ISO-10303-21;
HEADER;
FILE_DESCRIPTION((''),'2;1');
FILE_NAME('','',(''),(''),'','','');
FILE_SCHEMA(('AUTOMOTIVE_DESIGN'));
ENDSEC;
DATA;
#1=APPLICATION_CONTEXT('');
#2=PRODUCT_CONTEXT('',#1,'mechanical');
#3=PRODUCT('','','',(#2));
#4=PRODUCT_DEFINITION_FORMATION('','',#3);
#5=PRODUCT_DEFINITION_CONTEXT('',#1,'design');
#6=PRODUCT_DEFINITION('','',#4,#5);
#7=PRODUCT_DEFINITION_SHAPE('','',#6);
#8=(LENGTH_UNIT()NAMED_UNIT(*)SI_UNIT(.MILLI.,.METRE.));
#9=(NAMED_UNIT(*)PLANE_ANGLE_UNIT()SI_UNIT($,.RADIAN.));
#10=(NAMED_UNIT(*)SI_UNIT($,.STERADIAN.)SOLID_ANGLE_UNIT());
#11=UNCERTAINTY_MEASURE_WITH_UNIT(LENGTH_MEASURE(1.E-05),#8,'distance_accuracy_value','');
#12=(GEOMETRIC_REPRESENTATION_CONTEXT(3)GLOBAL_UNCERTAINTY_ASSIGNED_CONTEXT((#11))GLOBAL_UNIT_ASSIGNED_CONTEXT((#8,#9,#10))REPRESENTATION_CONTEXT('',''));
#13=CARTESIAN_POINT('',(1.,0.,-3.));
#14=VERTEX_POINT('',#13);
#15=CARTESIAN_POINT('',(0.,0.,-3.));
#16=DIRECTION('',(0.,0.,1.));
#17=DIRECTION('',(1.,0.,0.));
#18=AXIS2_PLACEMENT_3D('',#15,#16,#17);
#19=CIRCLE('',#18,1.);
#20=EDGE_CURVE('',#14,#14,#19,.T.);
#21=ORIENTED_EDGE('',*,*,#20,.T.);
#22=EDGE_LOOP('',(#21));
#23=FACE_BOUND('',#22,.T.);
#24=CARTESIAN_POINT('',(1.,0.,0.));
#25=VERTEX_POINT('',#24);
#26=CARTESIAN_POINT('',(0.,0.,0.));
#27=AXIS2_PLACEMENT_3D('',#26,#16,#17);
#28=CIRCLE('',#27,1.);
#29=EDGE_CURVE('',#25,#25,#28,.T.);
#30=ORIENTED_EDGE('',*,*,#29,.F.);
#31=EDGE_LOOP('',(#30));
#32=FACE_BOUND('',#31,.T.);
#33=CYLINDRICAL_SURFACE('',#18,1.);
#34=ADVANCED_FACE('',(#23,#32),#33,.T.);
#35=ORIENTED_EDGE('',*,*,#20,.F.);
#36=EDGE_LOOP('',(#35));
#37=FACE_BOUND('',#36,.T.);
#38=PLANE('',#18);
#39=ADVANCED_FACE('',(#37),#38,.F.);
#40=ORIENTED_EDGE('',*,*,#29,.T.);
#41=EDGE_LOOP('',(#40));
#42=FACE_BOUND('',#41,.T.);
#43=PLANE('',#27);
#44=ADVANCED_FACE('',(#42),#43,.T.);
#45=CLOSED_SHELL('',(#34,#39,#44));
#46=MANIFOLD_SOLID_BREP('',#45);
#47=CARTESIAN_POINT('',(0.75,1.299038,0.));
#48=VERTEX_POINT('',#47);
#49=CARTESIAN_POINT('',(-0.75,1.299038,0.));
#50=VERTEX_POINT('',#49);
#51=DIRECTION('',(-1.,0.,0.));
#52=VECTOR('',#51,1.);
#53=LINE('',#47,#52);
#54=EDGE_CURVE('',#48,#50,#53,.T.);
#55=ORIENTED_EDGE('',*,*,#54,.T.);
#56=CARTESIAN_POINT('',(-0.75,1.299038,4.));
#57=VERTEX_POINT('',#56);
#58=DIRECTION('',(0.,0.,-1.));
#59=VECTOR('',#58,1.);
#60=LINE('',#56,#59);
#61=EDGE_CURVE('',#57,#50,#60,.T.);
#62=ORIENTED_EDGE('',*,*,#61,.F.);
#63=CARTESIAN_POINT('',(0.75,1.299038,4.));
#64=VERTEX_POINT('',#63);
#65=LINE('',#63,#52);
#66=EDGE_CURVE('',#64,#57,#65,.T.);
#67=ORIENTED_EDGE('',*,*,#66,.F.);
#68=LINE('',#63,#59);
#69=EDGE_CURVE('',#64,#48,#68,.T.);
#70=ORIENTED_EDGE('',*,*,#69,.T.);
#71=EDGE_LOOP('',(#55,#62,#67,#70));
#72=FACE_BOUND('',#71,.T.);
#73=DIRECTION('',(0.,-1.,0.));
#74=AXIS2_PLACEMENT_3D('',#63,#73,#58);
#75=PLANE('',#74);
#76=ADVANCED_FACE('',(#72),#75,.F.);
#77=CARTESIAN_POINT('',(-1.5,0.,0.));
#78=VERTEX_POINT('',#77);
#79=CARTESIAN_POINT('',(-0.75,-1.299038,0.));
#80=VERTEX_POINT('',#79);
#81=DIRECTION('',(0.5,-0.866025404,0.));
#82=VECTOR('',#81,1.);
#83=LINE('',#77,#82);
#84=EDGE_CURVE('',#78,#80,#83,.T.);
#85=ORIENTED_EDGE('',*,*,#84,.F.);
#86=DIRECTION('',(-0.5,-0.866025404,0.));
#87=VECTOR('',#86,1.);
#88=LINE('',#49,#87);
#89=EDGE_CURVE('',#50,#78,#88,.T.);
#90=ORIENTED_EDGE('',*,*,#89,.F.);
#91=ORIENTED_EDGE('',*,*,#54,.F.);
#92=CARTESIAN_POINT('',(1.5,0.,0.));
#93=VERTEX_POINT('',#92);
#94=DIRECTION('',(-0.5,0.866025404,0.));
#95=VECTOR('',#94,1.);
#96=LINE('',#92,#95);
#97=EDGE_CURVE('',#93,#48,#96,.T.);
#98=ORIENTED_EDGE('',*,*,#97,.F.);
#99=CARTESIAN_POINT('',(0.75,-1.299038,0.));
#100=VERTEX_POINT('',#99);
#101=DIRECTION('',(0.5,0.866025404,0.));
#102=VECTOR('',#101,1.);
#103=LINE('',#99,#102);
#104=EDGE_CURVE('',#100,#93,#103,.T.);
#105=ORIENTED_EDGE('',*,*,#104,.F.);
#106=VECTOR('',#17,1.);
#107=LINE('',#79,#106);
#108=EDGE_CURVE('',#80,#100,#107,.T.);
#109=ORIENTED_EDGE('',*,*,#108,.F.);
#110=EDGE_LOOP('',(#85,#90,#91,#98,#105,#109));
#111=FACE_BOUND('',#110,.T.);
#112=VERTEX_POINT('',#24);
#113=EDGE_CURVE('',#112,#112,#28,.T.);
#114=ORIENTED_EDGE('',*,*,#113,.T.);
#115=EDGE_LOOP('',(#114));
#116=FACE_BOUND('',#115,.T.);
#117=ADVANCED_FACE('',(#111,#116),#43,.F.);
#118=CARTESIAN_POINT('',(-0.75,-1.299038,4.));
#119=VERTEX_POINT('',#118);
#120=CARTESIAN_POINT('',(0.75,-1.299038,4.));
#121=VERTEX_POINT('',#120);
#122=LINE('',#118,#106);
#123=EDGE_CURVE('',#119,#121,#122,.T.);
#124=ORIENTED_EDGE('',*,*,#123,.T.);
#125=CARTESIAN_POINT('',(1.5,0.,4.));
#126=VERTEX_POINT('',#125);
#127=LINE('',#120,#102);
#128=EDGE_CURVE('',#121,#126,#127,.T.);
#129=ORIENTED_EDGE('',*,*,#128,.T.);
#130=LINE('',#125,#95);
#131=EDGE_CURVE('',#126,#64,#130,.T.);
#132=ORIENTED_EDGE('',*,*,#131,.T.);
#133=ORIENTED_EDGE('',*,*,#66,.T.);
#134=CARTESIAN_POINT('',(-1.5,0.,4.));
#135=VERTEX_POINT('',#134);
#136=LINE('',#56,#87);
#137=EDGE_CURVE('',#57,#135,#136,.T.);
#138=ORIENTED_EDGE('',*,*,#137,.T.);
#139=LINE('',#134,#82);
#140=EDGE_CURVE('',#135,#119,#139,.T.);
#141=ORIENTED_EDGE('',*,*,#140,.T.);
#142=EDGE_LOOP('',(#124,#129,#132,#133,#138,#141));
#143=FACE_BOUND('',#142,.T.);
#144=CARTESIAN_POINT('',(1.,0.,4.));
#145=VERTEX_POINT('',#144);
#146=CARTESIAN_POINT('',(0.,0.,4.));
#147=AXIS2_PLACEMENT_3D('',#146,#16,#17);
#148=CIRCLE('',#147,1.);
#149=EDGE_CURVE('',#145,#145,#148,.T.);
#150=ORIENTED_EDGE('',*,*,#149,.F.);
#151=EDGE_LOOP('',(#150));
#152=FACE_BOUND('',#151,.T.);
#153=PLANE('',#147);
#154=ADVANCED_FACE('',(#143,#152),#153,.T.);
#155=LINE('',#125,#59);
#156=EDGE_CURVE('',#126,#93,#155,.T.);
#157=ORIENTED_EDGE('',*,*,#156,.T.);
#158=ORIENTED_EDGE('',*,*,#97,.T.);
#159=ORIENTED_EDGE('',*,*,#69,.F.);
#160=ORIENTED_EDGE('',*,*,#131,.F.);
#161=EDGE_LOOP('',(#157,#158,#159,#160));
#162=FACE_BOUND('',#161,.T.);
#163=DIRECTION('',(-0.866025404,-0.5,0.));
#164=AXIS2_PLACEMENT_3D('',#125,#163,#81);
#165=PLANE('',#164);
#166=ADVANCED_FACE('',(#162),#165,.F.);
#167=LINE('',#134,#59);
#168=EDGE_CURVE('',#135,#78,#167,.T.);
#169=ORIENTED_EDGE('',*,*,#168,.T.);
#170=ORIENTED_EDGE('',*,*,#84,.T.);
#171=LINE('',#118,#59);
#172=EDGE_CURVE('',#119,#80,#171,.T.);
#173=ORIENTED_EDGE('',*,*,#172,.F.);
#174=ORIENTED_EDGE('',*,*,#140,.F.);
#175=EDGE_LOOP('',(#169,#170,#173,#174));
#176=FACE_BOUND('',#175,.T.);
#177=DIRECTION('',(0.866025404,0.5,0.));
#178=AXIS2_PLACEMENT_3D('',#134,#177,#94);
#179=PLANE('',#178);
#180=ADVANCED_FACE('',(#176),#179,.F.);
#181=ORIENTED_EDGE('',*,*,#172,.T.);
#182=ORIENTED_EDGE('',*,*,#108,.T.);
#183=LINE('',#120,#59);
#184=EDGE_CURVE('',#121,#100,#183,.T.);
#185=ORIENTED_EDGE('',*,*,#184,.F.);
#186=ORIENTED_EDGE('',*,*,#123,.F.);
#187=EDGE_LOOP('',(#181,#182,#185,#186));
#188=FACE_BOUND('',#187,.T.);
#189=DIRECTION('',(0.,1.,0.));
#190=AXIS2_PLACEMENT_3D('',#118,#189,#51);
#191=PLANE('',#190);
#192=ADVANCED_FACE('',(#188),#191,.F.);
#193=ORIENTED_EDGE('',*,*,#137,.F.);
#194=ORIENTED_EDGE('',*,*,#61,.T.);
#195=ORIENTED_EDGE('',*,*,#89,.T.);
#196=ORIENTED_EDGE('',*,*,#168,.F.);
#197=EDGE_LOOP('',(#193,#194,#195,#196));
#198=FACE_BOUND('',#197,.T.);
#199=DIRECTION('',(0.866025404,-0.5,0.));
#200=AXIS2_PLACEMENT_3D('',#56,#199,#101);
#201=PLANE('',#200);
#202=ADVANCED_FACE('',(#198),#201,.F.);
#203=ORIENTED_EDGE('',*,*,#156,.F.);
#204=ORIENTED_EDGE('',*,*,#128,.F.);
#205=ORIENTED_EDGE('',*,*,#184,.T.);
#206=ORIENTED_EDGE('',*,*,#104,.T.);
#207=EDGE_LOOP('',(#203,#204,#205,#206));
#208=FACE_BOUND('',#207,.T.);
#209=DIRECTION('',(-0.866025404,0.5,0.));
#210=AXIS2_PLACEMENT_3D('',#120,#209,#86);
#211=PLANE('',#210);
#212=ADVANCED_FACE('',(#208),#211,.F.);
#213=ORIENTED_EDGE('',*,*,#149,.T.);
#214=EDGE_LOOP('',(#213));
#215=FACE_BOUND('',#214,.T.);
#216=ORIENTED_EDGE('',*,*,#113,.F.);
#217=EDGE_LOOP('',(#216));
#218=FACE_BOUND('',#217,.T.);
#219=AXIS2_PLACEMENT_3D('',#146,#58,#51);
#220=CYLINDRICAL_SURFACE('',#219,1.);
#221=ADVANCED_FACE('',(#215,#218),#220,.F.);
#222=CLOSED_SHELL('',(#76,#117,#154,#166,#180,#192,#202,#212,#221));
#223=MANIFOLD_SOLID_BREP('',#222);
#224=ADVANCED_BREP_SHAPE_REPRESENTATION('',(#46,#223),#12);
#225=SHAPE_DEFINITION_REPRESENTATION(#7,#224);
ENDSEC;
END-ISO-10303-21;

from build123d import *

# Parameters (mm, degrees)
SKETCH_1_R      = 1
EXTRUDE_1_DEPTH = 4
SKETCH_2_R      = 1
EXTRUDE_2_DEPTH = 3


with BuildPart() as part:
    # 草图1 → 凸台-拉伸1 (new body)
    with BuildSketch(Plane.XY):
        Polygon((-1.5, 0), (-0.75, -1.299038106), (0.75, -1.299038106), (1.5, 0), (0.75, 1.299038106), (-0.75, 1.299038106), align=None)
        Circle(SKETCH_1_R, mode=Mode.SUBTRACT)
    extrude(amount=EXTRUDE_1_DEPTH)


with BuildPart() as body_2:
    # 草图2 → 凸台-拉伸2 (new body)
    with BuildSketch(Plane.XY):
        Circle(SKETCH_2_R)
    extrude(amount=-EXTRUDE_2_DEPTH)


solid = Compound([part.part, body_2.part])
